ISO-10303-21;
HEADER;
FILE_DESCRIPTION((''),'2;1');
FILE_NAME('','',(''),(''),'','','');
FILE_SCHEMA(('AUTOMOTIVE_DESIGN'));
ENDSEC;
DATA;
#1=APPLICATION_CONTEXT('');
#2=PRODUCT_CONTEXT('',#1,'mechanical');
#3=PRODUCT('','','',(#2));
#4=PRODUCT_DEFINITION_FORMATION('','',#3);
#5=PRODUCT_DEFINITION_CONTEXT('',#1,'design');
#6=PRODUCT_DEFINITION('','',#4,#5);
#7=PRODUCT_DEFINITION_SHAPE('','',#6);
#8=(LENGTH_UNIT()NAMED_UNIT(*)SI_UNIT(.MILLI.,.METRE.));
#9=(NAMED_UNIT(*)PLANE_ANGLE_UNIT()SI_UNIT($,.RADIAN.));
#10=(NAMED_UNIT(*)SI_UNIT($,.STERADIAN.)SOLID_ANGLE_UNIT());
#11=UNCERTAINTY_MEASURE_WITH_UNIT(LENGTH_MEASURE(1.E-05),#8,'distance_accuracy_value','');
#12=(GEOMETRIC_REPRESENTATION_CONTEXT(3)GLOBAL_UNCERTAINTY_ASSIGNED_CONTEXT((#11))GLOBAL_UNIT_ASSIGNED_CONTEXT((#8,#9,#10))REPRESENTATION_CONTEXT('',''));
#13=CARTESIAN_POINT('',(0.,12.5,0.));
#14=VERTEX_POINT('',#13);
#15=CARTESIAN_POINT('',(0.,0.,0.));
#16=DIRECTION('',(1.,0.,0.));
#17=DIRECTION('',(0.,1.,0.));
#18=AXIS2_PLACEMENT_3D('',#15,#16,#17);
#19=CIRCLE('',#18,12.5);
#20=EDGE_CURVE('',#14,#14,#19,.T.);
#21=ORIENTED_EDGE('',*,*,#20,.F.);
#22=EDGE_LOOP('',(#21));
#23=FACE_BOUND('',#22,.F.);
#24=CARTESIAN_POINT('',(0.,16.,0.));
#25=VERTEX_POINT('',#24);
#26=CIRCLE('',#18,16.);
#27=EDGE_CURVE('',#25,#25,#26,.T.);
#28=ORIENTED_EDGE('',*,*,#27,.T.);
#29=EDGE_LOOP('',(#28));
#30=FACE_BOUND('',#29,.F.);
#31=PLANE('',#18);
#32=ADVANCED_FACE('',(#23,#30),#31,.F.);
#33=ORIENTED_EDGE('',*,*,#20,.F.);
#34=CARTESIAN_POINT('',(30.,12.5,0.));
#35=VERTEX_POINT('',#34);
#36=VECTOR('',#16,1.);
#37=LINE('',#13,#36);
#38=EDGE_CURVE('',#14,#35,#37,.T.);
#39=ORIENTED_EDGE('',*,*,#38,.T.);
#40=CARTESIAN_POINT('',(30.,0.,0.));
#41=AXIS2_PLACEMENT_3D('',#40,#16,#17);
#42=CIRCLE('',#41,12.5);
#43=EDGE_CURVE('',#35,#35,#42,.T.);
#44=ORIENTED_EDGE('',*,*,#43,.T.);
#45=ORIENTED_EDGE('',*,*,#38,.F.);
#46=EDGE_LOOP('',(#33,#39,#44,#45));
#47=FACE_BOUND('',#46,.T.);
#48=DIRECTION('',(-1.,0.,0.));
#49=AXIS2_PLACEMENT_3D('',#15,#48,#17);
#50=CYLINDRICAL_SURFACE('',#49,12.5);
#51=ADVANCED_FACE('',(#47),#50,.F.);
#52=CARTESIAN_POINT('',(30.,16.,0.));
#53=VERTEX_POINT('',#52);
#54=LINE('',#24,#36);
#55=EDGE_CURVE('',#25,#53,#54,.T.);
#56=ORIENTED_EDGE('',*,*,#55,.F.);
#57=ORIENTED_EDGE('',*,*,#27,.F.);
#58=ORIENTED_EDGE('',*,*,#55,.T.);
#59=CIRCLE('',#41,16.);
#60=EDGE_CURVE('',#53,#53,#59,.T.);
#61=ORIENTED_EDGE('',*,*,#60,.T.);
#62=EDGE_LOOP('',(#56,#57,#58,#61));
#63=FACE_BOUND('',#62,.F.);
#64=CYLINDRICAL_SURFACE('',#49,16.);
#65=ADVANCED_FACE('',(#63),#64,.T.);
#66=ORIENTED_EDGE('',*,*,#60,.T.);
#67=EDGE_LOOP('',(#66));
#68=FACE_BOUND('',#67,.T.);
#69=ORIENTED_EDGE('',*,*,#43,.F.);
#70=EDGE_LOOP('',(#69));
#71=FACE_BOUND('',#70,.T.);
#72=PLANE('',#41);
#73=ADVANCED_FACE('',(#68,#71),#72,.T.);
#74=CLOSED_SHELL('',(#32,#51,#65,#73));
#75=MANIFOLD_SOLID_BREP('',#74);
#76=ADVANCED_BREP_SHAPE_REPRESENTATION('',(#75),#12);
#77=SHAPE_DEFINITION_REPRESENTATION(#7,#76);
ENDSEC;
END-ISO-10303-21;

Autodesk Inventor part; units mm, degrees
ref_plane "YZ Plane" through (0, 0, 0) normal (1, 0, 0) x (0, 1, 0)
ref_plane "XZ Plane" through (0, 0, 0) normal (0, 1, 0) x (-1, 0, 0)
ref_plane "XY Plane" through (0, 0, 0) normal (0, 0, 1) x (1, 0, 0)
sketch "Szkic1" plane through (0, 0, 0) normal (1, 0, 0) x (0, 1, 0)
  circle A0 centre (0, 0) radius 12.5
  circle A1 centre (0, 0) radius 16
  dimension "d0" = 25
  dimension "d1" = 32
extrude "Wyciągnięcie proste1" add sketch "Szkic1" along normal blind 30
properties part number "tire"
